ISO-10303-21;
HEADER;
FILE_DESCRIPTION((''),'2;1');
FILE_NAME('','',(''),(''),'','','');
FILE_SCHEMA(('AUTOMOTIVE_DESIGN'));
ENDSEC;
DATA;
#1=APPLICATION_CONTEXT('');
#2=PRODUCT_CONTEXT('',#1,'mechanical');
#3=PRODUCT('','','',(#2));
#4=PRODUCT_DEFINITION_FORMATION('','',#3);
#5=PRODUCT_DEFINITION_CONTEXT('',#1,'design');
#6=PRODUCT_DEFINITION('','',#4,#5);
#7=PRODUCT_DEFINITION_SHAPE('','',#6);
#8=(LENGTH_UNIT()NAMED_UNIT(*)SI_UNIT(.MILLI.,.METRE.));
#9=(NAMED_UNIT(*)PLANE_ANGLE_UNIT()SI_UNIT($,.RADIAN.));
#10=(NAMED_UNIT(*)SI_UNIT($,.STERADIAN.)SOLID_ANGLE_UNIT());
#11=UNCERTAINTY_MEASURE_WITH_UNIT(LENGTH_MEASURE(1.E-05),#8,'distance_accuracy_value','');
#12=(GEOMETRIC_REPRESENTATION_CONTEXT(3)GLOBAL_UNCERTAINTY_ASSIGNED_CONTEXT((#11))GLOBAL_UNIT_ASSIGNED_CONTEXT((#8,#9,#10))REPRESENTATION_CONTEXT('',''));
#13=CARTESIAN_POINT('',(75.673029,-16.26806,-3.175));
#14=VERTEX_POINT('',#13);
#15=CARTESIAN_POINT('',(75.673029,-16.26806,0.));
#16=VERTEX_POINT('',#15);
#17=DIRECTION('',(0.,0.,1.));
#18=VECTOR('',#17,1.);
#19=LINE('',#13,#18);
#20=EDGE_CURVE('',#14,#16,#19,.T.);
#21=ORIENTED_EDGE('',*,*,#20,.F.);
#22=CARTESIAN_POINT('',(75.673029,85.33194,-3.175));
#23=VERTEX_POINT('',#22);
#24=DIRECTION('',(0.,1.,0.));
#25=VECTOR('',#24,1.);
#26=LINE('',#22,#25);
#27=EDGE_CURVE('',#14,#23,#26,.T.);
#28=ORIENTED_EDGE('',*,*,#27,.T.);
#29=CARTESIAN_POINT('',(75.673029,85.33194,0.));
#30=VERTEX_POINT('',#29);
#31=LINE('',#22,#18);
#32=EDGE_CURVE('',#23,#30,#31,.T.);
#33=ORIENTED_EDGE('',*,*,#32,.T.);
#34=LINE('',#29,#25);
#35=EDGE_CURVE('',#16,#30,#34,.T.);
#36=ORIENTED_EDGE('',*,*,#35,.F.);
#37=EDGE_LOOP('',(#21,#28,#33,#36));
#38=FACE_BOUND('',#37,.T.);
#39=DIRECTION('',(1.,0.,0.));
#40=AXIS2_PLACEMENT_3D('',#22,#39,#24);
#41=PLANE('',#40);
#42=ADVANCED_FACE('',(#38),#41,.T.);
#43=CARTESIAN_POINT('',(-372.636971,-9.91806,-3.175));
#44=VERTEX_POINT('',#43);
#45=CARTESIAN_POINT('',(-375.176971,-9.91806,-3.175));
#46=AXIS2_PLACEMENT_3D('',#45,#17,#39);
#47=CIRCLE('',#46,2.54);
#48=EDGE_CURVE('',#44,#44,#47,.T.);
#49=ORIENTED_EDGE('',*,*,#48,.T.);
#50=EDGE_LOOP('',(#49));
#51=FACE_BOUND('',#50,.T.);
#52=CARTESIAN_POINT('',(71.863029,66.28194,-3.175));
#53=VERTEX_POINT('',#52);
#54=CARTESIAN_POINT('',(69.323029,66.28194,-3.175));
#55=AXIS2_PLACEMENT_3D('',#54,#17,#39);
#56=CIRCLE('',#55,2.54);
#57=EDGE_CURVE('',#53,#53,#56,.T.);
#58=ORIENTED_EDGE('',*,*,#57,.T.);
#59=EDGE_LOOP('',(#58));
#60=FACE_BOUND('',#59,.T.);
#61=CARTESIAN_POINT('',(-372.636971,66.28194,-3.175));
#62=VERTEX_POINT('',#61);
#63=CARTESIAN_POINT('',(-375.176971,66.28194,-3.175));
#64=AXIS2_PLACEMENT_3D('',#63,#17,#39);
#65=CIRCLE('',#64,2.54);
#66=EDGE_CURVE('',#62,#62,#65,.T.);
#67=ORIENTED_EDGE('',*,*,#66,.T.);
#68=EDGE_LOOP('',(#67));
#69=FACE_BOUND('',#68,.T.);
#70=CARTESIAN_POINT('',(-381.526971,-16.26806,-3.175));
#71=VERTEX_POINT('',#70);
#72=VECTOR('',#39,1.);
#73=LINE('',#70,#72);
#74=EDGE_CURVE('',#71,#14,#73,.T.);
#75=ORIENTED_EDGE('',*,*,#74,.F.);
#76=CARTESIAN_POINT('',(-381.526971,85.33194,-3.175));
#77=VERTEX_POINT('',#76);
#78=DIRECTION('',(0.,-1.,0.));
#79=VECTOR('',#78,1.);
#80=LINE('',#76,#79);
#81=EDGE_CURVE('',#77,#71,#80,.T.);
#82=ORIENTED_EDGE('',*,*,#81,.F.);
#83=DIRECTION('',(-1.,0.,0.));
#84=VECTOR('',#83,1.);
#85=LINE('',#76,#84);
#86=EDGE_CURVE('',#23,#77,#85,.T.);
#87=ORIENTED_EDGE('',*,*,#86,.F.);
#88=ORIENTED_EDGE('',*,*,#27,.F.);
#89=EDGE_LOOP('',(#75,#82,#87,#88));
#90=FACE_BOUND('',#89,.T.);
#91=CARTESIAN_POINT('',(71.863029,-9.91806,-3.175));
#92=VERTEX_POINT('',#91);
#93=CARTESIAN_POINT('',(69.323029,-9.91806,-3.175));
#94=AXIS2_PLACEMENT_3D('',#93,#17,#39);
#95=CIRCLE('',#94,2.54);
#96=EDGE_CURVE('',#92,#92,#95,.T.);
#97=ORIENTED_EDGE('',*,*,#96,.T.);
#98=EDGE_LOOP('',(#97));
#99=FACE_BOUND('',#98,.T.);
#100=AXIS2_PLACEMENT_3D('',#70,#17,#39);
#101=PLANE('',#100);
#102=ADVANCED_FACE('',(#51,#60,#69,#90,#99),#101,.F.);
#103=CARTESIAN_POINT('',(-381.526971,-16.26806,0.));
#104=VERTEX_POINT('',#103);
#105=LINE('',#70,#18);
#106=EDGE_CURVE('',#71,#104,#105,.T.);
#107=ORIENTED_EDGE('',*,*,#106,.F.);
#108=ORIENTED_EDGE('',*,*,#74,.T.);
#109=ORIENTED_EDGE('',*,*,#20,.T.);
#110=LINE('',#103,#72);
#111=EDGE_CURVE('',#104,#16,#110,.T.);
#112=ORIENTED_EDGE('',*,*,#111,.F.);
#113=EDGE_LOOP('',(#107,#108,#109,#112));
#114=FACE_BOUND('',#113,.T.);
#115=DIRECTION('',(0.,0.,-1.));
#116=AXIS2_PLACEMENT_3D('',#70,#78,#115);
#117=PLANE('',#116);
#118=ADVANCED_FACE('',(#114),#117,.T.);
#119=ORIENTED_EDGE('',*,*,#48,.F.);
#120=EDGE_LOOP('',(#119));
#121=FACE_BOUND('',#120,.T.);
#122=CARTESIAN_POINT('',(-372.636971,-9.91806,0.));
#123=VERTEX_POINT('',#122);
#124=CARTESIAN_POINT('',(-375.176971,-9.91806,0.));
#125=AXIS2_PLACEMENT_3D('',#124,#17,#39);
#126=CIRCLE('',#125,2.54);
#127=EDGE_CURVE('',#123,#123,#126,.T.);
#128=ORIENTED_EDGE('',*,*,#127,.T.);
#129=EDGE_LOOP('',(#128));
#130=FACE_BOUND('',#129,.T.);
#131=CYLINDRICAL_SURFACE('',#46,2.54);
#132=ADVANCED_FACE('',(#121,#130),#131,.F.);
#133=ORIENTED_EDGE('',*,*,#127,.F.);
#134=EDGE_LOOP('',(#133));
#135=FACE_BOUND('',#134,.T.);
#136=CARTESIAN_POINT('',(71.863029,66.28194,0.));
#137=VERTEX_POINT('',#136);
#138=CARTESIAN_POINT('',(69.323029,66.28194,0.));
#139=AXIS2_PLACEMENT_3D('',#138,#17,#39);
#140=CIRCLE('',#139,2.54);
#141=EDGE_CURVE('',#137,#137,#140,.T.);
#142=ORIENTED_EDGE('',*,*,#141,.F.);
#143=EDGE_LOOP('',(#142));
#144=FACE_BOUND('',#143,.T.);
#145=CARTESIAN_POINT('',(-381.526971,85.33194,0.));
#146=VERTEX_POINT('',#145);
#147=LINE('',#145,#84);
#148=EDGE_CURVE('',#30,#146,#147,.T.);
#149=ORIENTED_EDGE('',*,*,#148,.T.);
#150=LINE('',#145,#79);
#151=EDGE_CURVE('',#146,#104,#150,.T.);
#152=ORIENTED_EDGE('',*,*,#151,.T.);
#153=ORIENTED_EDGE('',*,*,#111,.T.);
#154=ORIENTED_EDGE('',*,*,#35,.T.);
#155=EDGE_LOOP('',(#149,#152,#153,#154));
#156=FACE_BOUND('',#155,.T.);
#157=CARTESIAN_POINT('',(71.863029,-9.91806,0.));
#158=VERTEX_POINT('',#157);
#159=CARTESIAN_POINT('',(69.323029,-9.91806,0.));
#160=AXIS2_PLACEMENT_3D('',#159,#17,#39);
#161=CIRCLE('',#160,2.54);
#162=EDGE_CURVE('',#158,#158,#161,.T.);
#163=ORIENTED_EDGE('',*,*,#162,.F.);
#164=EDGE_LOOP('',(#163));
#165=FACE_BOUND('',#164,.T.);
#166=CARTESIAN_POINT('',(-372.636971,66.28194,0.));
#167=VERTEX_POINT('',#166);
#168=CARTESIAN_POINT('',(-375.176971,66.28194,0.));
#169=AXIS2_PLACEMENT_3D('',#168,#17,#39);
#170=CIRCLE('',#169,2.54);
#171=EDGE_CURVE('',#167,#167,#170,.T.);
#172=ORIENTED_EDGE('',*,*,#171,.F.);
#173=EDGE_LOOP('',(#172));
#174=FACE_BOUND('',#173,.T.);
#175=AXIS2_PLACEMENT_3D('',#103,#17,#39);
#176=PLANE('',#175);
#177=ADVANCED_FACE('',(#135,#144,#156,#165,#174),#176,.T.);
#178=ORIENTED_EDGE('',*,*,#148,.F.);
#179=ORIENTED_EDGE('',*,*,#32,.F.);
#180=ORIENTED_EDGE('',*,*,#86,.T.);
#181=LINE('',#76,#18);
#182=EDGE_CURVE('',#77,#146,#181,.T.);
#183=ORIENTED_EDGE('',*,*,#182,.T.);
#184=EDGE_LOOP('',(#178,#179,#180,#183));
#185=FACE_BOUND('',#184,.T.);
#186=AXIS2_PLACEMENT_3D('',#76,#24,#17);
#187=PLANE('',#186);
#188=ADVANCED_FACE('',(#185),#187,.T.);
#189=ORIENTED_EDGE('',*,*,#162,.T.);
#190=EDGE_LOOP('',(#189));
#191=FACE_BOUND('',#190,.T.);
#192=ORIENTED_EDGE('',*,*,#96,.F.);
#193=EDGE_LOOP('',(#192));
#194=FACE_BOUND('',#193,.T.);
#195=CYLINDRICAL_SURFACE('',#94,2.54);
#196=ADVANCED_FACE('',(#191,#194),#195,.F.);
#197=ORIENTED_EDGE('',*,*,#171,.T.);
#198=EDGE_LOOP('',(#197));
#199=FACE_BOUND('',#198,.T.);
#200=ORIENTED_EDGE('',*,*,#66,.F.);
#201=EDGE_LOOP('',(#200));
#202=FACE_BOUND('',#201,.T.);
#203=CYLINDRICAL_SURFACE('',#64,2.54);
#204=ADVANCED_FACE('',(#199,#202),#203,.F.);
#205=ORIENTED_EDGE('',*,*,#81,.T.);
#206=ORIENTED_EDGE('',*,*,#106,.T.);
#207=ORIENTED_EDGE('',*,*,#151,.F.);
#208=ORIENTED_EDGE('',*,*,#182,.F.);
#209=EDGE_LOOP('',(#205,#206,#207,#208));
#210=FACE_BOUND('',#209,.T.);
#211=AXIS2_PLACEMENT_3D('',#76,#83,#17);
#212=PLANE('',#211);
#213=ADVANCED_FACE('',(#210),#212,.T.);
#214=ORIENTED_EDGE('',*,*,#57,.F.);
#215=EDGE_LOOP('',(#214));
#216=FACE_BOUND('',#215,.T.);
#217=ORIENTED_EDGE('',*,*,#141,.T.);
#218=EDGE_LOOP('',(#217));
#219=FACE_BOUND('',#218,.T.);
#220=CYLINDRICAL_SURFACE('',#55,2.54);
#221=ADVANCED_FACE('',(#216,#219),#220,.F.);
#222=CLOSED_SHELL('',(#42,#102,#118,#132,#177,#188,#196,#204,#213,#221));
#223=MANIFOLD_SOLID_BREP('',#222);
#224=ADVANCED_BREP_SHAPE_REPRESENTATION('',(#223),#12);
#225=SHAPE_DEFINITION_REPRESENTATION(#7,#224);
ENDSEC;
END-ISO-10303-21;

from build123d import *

# Parameters (mm, degrees)
SKETCH1_W           = 457.2
SKETCH1_H           = 101.6
SKETCH1_R           = 2.54
BOSS_EXTRUDE1_DEPTH = 3.175


with BuildPart() as part:
    # Sketch1 → Boss-Extrude1 (new body)
    with BuildSketch(Plane.XY):
        with Locations((-152.926970954, 34.531939703)):
            Rectangle(SKETCH1_W, SKETCH1_H)
        with Locations((-375.176970954, 66.281939703)):
            Circle(SKETCH1_R, mode=Mode.SUBTRACT)
        with Locations((-375.176970954, -9.918060297)):
            Circle(SKETCH1_R, mode=Mode.SUBTRACT)
        with Locations((69.323029046, 66.281939703)):
            Circle(SKETCH1_R, mode=Mode.SUBTRACT)
        with Locations((69.323029046, -9.918060297)):
            Circle(SKETCH1_R, mode=Mode.SUBTRACT)
    extrude(amount=-BOSS_EXTRUDE1_DEPTH)


solid = part.part
